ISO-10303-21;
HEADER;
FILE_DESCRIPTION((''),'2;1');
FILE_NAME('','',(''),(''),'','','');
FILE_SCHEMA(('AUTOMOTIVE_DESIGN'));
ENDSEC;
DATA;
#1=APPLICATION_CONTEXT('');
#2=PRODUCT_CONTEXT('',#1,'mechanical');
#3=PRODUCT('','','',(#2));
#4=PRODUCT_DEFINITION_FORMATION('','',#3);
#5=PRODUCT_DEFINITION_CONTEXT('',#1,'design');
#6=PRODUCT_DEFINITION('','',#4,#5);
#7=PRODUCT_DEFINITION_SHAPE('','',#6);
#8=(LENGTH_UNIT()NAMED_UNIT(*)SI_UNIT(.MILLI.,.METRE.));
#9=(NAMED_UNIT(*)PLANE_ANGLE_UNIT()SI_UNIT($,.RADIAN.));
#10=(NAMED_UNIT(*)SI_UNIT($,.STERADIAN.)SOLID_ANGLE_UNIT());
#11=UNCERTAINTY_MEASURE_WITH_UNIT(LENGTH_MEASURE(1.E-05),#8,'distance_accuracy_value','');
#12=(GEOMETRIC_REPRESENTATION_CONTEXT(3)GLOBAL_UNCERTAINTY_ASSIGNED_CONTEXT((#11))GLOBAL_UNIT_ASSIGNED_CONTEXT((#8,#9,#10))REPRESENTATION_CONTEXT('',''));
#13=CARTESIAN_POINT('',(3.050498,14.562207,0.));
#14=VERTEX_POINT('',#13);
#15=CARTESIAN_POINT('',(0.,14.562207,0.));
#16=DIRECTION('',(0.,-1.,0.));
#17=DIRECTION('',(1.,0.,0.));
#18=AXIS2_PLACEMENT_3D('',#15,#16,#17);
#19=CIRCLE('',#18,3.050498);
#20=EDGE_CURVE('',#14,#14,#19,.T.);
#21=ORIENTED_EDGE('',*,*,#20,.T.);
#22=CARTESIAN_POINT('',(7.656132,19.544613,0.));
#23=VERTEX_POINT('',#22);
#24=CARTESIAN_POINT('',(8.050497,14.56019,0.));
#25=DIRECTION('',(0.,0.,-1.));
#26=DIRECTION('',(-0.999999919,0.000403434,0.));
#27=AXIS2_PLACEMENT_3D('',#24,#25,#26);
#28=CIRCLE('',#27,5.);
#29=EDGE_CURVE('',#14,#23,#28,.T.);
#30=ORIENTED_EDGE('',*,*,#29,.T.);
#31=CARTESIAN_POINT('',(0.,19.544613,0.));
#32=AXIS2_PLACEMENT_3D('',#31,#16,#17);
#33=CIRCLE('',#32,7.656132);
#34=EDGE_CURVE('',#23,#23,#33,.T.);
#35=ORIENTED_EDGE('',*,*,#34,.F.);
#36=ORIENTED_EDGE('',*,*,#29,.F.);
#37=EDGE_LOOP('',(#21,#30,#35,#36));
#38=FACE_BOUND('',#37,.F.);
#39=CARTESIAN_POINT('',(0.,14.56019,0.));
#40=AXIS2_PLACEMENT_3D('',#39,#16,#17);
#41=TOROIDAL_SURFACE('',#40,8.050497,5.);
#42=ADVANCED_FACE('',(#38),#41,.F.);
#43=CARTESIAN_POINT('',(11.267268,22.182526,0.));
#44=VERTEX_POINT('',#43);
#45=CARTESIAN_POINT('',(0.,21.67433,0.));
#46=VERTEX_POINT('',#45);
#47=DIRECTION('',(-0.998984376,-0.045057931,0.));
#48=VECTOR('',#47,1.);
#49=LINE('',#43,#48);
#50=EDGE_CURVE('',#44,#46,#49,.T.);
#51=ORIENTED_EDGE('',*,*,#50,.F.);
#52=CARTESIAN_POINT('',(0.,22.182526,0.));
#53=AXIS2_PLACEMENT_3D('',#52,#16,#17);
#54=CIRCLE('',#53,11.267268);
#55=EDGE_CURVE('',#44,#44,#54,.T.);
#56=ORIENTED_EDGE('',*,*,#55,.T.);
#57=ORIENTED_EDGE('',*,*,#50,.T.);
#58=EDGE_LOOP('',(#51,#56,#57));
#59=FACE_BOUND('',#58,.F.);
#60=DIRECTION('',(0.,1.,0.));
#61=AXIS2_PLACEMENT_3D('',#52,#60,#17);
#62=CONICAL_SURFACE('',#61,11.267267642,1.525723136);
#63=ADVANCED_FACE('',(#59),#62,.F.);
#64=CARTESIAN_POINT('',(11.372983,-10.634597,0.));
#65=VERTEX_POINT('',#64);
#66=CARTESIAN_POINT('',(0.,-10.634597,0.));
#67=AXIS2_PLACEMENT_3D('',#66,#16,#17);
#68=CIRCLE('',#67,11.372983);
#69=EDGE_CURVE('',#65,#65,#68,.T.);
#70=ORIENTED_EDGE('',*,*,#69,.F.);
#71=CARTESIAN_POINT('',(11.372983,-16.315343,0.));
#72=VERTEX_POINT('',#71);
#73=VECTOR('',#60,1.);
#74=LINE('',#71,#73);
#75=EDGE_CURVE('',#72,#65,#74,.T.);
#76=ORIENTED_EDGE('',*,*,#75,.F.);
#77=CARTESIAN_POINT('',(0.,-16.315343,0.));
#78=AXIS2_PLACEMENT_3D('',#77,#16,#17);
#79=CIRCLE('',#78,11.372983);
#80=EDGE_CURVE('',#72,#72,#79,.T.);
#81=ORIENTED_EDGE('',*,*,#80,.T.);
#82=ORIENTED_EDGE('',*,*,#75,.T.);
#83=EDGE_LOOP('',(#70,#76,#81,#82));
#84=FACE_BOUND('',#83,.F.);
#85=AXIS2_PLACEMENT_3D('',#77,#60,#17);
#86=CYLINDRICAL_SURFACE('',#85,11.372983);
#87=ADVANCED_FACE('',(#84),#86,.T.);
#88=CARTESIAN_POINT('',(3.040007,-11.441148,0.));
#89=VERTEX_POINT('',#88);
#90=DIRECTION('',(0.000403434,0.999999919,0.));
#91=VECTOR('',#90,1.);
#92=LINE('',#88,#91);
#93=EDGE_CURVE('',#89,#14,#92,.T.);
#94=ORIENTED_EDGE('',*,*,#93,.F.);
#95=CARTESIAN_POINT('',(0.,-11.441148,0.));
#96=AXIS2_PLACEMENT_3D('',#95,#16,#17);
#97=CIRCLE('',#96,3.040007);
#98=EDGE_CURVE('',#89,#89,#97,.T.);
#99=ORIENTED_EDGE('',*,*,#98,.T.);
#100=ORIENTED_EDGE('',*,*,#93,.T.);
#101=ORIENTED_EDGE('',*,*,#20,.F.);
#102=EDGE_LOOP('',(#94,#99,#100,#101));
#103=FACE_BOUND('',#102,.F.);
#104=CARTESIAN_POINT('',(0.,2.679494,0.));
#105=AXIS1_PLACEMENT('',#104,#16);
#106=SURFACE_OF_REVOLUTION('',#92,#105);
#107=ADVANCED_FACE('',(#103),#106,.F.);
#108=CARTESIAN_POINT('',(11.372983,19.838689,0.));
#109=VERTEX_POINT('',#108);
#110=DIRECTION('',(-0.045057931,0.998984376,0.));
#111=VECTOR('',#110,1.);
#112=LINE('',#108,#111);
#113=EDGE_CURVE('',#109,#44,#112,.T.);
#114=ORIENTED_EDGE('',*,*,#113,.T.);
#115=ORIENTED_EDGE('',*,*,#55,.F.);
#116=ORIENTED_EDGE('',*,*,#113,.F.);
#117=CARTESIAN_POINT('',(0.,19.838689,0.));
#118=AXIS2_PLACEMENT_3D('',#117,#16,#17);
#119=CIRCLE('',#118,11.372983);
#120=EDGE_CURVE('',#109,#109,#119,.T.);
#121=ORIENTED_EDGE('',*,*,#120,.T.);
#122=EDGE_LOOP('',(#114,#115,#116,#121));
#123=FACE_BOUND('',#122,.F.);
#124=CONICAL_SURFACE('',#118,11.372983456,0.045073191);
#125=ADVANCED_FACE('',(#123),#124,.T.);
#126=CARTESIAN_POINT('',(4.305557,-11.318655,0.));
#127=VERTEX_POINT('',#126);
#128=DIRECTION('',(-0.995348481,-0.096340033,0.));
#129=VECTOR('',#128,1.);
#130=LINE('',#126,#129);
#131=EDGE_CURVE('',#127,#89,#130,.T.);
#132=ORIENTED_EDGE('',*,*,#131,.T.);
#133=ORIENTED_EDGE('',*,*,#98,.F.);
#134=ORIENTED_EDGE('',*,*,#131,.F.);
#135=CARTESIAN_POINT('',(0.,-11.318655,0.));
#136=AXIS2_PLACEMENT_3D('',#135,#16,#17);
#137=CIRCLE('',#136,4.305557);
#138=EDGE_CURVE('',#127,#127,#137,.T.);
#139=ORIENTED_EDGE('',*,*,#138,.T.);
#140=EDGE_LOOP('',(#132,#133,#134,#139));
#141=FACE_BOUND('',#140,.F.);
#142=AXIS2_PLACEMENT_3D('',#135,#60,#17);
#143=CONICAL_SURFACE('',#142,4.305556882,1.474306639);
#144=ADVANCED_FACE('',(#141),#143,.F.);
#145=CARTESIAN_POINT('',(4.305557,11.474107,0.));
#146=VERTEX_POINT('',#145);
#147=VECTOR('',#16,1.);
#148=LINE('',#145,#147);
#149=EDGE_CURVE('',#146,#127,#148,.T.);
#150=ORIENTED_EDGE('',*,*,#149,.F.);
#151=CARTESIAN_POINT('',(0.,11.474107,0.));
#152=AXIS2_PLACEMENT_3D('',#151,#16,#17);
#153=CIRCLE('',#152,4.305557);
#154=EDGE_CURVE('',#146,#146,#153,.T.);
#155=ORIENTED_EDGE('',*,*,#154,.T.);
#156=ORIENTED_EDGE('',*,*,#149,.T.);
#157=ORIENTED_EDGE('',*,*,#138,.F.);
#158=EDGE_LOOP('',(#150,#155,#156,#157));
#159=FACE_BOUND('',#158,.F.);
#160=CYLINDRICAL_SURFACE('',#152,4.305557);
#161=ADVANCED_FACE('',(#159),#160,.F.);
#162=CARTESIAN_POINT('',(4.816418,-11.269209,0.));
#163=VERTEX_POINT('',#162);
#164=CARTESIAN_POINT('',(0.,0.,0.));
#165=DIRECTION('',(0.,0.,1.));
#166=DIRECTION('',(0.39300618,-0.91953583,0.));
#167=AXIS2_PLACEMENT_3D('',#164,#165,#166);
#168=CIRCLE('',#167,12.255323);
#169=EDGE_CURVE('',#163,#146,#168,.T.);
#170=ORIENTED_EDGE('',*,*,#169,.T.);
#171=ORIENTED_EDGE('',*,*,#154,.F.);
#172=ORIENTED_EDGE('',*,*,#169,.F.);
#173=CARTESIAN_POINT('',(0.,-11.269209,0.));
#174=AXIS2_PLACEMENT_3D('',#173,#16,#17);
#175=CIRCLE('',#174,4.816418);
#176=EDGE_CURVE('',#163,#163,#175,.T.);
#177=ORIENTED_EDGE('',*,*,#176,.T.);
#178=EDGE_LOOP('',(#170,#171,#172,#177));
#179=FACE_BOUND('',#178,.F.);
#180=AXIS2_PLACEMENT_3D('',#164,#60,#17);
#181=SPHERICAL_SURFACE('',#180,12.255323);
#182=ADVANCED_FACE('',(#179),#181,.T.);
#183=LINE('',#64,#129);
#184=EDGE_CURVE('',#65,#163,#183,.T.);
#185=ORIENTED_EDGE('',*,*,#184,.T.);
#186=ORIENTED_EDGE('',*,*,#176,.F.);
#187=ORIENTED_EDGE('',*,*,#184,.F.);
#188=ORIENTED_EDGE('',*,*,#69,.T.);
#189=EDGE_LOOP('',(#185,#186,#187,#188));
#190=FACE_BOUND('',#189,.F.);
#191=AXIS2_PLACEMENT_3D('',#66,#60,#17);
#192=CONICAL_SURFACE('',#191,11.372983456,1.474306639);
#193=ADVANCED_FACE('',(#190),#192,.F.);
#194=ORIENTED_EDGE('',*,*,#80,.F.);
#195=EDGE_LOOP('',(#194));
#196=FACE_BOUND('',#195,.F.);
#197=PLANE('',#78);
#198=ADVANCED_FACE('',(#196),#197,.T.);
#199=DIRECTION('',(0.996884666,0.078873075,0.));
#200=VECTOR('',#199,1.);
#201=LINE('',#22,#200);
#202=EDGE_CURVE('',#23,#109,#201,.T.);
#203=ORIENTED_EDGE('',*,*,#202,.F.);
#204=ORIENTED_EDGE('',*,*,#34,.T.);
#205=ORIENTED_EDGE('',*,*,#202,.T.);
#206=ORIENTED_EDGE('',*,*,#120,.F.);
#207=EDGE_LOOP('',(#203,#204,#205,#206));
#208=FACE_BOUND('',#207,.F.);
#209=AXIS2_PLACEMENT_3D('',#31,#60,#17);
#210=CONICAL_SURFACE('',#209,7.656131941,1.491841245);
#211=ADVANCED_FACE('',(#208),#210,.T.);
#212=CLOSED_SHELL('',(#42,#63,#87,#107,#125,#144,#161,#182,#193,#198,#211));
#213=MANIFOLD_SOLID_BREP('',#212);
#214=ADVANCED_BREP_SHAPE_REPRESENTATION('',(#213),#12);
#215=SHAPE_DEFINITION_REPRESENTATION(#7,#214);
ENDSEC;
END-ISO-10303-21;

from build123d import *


with BuildPart() as f1:
    # F0 (on Top) → F1 (revolve)
    with BuildSketch(Plane.XY):
        with BuildLine():
            Line((4.3055568822, -11.3186549984), (4.3055568822, -11.4741066296))
            ThreePointArc((4.3055568822, -11.4741066296), (4.5621377493, -11.3745260195), (4.8164176953, -11.26920865))
            Line((4.8164176953, -11.26920865), (4.3055568822, -11.3186549984))
        make_face()
        with BuildLine():
            Line((4.3055568822, 11.4741066296), (4.3055568822, -11.3186549984))
            Line((4.3055568822, -11.3186549984), (4.8164176953, -11.26920865))
            ThreePointArc((4.8164176953, -11.26920865), (12.2522325527, 0.2752098983), (4.3055568822, 11.4741066296))
        make_face()
        with BuildLine():
            ThreePointArc((4.8164176953, -11.26920865), (4.5621377493, -11.3745260195), (4.3055568822, -11.4741066296))
            Line((4.3055568822, -11.4741066296), (4.3055568822, -11.3186549984))
            Line((4.3055568822, -11.3186549984), (3.0400070827, -11.4411478862))
            Line((3.0400070827, -11.4411478862), (3.0504977217, 14.5622070821))
            ThreePointArc((3.0504977217, 14.5622070821), (4.3788646889, 17.9541719184), (7.6561319409, 19.5446132439))
            Line((7.6561319409, 19.5446132439), (11.3729834557, 19.8386888951))
            Line((11.3729834557, 19.8386888951), (11.2672676422, 22.1825259078))
            Line((11.2672676422, 22.1825259078), (0, 21.6743300063))
            Line((0, 21.6743300063), (0, -16.3153428584))
            Line((0, -16.3153428584), (11.3729834557, -16.3153428584))
            Line((11.3729834557, -16.3153428584), (11.3729834557, -10.6345969778))
            Line((11.3729834557, -10.6345969778), (4.8164176953, -11.26920865))
        make_face()
    revolve(axis=Axis((0, 2.6794935739, 0), (0, -1, 0)))


solid = f1.part
